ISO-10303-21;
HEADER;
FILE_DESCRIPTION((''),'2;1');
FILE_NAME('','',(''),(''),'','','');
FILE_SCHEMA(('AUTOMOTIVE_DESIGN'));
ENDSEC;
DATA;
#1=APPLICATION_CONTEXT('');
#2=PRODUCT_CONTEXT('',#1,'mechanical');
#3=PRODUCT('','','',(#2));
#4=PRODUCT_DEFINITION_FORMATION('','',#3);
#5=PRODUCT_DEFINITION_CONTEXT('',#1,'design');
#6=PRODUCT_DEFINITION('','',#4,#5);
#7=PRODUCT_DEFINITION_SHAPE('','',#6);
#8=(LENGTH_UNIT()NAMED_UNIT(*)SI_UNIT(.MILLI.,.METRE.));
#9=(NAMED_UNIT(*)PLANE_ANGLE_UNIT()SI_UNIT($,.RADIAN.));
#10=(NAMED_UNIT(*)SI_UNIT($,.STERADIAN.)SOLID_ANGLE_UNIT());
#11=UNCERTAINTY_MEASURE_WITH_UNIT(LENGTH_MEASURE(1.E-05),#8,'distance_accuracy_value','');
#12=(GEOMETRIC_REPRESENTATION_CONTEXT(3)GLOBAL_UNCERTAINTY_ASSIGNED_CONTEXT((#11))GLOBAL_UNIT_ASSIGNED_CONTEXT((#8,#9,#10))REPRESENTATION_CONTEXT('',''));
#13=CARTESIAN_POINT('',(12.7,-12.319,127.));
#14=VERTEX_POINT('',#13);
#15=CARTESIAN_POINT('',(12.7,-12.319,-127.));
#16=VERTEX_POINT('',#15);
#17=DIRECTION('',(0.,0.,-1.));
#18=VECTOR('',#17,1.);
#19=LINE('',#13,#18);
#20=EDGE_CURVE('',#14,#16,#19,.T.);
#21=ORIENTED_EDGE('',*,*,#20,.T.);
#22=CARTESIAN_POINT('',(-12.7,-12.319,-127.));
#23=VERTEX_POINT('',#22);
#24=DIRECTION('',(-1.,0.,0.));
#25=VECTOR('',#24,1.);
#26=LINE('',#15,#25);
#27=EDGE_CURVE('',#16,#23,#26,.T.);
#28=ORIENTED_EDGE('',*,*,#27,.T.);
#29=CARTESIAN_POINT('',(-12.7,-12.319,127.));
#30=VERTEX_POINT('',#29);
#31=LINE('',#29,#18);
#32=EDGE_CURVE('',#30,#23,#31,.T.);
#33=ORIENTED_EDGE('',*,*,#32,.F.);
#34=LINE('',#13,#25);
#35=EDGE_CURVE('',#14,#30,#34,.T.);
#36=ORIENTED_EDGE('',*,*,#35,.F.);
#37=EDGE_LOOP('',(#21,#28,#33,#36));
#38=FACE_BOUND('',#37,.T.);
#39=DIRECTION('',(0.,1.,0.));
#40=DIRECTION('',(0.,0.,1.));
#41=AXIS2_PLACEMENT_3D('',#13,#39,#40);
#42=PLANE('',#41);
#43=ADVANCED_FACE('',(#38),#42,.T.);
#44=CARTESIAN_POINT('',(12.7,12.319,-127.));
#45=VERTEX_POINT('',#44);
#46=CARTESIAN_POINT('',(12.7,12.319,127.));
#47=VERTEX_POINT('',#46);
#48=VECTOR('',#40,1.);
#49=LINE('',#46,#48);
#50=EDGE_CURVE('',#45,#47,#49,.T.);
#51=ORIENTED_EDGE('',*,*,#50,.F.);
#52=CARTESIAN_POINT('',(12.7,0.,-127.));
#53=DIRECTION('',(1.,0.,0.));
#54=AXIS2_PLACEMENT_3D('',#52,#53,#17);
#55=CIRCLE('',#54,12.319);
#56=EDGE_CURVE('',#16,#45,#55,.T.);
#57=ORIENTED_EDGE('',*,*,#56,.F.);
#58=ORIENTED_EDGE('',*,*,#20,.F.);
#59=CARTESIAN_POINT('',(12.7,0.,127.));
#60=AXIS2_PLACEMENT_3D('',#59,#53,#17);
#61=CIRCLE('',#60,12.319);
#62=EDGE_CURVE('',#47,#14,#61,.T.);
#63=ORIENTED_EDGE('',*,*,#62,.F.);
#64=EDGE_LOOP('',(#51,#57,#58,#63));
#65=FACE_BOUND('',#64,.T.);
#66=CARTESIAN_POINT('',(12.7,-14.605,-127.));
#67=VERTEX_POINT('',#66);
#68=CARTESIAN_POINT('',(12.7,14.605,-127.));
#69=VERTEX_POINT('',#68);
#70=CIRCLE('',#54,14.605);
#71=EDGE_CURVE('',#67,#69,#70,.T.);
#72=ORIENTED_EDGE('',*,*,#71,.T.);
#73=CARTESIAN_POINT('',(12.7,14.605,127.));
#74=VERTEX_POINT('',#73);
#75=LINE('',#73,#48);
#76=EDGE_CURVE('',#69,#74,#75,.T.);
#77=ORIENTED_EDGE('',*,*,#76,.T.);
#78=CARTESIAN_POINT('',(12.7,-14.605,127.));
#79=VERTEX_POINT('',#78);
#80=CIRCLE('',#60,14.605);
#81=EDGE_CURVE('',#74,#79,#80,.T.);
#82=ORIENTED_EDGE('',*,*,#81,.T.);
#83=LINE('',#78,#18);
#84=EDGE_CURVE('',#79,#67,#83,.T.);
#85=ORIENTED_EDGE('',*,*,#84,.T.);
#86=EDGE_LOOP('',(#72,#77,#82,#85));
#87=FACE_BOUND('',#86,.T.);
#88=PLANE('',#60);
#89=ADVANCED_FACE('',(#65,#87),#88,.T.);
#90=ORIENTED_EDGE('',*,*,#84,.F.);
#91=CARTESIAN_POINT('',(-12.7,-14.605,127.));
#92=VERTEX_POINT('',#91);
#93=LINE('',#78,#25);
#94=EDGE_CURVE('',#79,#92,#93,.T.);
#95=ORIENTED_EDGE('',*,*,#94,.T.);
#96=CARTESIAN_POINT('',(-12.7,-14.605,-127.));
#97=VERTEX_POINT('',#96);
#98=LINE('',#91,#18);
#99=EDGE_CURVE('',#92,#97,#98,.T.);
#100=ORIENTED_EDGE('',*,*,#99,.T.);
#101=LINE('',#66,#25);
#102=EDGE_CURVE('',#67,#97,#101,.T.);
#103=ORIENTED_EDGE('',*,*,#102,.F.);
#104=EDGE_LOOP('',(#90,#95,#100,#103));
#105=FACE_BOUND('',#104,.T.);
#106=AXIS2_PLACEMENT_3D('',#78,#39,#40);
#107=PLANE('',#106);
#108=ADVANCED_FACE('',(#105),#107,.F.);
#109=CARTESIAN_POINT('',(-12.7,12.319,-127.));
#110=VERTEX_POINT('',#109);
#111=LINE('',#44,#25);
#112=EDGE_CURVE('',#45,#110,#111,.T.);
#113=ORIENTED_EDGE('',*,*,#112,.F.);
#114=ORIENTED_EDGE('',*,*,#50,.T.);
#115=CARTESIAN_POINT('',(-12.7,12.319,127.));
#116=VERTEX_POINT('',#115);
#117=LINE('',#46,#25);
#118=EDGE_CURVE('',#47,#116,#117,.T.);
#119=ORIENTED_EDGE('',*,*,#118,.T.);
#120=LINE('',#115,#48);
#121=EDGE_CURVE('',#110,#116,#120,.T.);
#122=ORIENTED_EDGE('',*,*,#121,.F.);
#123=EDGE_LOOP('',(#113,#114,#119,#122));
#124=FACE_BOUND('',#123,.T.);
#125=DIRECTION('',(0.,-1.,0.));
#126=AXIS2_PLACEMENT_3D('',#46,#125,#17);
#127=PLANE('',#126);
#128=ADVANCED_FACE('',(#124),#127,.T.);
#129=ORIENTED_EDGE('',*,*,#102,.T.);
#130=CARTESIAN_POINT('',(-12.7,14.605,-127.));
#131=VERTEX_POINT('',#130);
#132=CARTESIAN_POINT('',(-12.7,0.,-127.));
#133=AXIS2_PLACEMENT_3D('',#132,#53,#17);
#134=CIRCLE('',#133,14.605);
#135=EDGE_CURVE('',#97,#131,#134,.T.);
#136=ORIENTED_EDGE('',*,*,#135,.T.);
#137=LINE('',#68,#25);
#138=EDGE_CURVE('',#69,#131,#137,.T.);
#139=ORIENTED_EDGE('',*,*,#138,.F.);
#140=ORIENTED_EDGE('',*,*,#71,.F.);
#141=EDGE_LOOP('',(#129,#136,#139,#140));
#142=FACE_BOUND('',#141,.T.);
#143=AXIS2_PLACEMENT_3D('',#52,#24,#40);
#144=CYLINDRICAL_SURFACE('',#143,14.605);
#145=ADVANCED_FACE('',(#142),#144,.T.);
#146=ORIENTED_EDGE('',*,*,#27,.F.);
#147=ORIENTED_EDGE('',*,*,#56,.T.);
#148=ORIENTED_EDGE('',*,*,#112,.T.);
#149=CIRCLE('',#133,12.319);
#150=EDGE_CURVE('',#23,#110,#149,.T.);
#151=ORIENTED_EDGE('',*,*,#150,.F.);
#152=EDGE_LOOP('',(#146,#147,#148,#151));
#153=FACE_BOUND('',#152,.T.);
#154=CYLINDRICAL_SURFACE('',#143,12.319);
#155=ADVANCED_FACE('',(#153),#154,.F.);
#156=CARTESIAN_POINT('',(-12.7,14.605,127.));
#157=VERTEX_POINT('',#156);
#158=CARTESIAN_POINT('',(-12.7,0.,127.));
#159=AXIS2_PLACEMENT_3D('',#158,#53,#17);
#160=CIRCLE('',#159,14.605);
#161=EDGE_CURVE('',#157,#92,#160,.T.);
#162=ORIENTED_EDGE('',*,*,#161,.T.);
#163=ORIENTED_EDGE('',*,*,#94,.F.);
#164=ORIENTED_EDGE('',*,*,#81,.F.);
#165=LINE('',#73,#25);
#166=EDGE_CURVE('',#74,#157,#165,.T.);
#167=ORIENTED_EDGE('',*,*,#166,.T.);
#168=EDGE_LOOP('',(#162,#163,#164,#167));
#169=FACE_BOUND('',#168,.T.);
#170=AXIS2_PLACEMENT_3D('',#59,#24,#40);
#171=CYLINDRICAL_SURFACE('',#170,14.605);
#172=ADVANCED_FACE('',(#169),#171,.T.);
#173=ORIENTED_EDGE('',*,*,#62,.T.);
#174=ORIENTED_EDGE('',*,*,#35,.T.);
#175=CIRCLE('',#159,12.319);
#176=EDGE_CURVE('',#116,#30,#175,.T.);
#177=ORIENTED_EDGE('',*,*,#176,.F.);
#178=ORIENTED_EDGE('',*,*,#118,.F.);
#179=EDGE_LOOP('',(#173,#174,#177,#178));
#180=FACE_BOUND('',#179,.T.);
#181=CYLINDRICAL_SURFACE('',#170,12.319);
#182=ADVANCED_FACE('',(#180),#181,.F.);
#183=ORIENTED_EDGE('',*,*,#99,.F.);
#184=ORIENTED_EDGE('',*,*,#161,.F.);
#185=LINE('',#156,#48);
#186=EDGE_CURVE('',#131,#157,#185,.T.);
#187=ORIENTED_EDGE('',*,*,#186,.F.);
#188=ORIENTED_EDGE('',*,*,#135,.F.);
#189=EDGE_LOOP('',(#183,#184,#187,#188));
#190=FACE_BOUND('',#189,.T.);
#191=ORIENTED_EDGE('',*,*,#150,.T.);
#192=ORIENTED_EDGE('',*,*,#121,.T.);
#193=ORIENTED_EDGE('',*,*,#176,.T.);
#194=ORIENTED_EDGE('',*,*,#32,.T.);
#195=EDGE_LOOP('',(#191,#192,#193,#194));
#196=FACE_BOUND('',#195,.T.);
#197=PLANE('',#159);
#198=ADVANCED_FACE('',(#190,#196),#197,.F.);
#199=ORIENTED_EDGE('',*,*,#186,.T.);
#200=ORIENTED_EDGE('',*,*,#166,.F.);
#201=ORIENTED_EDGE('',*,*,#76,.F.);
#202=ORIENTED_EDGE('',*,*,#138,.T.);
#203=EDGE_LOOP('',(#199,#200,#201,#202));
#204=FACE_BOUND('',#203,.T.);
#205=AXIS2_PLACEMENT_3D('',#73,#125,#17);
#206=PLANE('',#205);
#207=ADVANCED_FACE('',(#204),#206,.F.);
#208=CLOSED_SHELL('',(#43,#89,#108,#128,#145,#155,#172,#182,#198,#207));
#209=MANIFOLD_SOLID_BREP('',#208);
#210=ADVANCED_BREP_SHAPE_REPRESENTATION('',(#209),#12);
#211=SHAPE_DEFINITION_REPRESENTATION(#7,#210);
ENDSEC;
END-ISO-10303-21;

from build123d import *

# Parameters (mm, degrees)
BOSS_EXTRUDE1_DEPTH = 12.7


with BuildPart() as part:
    # Sketch1 → Boss-Extrude1 (new, symmetric)
    with BuildSketch(Plane(origin=(0, 0, 0), x_dir=(0, 0, -1), z_dir=(1, 0, 0))):
        with BuildLine():
            Line((-127, 14.605), (127, 14.605))
            ThreePointArc((127, 14.605), (141.605, 0), (127, -14.605))
            Line((127, -14.605), (-127, -14.605))
            ThreePointArc((-127, -14.605), (-141.605, 0), (-127, 14.605))
        make_face()
        with BuildLine():
            Line((-127, 12.319), (127, 12.319))
            ThreePointArc((127, 12.319), (139.319, 0), (127, -12.319))
            Line((127, -12.319), (-127, -12.319))
            ThreePointArc((-127, -12.319), (-139.319, 0), (-127, 12.319))
        make_face(mode=Mode.SUBTRACT)
    extrude(amount=BOSS_EXTRUDE1_DEPTH, both=True)


solid = part.part
